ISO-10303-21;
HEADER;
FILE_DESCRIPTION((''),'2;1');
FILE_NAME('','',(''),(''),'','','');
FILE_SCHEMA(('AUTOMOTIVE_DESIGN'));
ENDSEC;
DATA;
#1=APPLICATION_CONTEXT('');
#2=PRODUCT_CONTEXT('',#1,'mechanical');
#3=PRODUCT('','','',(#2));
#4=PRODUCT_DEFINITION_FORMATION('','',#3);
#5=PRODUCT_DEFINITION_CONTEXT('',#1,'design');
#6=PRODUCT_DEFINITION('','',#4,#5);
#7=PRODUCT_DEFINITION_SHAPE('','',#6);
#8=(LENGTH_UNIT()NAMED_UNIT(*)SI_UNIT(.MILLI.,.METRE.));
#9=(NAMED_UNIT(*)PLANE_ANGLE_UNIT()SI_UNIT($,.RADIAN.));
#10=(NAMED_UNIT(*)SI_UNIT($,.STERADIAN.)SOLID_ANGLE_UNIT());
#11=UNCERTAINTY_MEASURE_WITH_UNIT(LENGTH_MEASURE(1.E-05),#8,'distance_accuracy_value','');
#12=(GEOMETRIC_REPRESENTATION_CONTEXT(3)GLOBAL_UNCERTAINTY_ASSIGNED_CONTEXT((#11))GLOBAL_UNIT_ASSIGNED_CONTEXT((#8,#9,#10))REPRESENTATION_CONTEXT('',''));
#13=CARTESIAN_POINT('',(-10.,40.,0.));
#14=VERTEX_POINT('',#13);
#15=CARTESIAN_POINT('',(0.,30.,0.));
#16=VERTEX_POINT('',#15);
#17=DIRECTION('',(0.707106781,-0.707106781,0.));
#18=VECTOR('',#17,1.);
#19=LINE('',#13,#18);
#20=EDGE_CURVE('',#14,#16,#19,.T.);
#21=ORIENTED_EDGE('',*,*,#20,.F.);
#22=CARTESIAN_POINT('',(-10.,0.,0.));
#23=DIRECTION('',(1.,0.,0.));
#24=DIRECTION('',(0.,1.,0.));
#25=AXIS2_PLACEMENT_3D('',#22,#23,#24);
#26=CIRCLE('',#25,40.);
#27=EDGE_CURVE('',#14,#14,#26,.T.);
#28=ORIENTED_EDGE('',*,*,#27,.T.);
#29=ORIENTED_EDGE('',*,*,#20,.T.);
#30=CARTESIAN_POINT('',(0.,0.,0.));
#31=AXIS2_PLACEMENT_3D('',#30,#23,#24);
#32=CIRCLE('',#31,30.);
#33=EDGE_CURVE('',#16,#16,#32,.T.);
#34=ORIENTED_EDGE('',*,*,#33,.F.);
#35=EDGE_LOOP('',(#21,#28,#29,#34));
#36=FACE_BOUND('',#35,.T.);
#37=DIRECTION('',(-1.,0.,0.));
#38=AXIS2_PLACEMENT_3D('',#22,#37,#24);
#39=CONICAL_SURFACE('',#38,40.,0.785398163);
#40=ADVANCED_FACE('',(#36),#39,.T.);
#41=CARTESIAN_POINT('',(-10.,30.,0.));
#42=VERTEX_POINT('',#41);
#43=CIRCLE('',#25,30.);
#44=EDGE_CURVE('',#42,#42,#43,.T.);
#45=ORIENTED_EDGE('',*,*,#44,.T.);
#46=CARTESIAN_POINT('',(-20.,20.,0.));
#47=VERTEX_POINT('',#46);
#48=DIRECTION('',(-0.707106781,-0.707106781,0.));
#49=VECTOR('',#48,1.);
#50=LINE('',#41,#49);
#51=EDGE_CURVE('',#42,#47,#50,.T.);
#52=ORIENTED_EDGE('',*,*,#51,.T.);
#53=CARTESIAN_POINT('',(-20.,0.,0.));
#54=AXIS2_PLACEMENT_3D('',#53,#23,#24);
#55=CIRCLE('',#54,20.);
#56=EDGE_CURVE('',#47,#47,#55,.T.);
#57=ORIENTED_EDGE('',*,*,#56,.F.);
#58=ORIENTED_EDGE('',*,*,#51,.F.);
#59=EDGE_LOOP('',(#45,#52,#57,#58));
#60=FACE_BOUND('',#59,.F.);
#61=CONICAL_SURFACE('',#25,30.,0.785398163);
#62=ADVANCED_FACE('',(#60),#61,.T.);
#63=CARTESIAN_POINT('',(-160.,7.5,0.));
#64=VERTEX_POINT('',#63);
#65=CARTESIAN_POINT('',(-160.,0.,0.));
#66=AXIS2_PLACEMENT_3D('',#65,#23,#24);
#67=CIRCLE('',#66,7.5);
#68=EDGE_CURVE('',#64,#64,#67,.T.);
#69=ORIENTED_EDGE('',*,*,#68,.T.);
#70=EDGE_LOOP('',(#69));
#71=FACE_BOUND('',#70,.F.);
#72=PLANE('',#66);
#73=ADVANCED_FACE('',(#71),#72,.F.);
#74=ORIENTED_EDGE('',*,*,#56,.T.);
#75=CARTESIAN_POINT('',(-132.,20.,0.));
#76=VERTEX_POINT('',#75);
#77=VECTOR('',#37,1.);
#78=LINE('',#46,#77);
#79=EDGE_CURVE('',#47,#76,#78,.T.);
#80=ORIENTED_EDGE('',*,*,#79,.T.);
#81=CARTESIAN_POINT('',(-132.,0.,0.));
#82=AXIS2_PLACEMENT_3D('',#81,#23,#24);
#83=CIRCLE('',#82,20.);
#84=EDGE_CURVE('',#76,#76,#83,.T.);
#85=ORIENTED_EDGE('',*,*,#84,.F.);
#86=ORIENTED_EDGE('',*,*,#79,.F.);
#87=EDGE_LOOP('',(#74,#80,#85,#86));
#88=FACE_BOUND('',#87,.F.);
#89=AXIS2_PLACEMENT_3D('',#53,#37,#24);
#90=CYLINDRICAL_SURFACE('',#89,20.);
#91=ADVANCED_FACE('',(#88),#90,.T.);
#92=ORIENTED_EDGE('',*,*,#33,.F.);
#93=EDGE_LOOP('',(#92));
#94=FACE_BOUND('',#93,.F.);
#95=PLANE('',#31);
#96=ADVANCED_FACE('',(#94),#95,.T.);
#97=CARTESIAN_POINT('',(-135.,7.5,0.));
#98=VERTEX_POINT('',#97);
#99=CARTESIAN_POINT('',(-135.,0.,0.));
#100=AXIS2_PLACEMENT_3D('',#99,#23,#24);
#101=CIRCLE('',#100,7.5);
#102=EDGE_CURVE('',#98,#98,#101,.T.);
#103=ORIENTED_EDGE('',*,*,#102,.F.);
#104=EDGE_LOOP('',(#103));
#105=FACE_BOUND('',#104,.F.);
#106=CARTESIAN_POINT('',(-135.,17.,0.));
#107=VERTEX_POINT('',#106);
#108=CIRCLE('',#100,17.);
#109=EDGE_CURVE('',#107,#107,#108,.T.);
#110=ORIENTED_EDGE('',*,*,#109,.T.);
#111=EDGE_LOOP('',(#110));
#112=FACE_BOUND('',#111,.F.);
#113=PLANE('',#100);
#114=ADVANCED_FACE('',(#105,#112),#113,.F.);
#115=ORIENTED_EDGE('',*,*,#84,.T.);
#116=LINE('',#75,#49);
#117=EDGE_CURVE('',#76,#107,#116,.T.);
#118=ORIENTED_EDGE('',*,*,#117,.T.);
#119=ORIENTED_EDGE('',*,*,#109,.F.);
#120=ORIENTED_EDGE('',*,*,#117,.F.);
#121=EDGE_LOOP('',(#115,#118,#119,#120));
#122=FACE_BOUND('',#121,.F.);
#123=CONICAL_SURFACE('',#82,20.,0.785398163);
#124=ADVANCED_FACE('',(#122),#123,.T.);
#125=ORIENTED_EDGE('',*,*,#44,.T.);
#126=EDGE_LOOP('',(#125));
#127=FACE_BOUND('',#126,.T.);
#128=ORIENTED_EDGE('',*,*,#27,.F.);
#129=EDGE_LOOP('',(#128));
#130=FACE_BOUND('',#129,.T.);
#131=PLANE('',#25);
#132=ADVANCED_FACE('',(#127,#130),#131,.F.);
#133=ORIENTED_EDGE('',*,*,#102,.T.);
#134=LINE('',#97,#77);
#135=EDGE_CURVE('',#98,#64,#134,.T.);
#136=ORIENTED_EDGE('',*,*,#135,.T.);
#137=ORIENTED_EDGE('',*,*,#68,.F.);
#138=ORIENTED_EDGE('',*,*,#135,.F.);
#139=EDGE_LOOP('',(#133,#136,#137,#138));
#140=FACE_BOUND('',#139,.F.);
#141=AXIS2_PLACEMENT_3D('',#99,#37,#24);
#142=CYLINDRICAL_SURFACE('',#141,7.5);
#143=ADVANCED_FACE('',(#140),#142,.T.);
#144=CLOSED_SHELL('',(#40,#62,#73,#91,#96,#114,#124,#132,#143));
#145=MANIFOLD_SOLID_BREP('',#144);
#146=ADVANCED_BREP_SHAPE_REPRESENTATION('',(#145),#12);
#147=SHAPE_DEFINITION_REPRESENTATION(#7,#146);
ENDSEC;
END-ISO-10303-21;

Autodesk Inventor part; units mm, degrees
ref_plane "YZ Plane" through (0, 0, 0) normal (1, 0, 0) x (0, 1, 0)
ref_plane "XZ Plane" through (0, 0, 0) normal (0, 1, 0) x (-1, 0, 0)
ref_plane "XY Plane" through (0, 0, 0) normal (0, 0, 1) x (1, 0, 0)
sketch "草圖1" plane through (0, 0, 0) normal (0, 0, 1) x (1, 0, 0)
  line L0 (0, 0) -> (0, 30)
  line L1 (-10, 30) -> (-20, 20)
  line L2 (-20, 20) -> (-132, 20)
  line L3 (-132, 20) -> (-135, 17)
  line L4 (-135, 17) -> (-135, 7.5)
  line L5 (-135, 7.5) -> (-160, 7.5)
  line L6 (-160, 7.5) -> (-160, 0)
  line L7 (-160, 0) -> (0, 0)
  line L8 (-10, 30) -> (-10, 40)
  line L9 (-10, 40) -> (0, 30)
  dimension "d3" = 45
  dimension "d4" = 150
  dimension "d5" = 7.5
  dimension "d6" = 25
  dimension "d7" = 45
  dimension "d8" = 3
  dimension "d9" = 20
  dimension "d10" = 160
  dimension "d11" = 40
  dimension "d12" = 10
revolve "迴轉1" add sketch "草圖1" angle 360 about axis through (-160, 0, 0) along (1, 0, 0)
properties part number "2-2-2"
